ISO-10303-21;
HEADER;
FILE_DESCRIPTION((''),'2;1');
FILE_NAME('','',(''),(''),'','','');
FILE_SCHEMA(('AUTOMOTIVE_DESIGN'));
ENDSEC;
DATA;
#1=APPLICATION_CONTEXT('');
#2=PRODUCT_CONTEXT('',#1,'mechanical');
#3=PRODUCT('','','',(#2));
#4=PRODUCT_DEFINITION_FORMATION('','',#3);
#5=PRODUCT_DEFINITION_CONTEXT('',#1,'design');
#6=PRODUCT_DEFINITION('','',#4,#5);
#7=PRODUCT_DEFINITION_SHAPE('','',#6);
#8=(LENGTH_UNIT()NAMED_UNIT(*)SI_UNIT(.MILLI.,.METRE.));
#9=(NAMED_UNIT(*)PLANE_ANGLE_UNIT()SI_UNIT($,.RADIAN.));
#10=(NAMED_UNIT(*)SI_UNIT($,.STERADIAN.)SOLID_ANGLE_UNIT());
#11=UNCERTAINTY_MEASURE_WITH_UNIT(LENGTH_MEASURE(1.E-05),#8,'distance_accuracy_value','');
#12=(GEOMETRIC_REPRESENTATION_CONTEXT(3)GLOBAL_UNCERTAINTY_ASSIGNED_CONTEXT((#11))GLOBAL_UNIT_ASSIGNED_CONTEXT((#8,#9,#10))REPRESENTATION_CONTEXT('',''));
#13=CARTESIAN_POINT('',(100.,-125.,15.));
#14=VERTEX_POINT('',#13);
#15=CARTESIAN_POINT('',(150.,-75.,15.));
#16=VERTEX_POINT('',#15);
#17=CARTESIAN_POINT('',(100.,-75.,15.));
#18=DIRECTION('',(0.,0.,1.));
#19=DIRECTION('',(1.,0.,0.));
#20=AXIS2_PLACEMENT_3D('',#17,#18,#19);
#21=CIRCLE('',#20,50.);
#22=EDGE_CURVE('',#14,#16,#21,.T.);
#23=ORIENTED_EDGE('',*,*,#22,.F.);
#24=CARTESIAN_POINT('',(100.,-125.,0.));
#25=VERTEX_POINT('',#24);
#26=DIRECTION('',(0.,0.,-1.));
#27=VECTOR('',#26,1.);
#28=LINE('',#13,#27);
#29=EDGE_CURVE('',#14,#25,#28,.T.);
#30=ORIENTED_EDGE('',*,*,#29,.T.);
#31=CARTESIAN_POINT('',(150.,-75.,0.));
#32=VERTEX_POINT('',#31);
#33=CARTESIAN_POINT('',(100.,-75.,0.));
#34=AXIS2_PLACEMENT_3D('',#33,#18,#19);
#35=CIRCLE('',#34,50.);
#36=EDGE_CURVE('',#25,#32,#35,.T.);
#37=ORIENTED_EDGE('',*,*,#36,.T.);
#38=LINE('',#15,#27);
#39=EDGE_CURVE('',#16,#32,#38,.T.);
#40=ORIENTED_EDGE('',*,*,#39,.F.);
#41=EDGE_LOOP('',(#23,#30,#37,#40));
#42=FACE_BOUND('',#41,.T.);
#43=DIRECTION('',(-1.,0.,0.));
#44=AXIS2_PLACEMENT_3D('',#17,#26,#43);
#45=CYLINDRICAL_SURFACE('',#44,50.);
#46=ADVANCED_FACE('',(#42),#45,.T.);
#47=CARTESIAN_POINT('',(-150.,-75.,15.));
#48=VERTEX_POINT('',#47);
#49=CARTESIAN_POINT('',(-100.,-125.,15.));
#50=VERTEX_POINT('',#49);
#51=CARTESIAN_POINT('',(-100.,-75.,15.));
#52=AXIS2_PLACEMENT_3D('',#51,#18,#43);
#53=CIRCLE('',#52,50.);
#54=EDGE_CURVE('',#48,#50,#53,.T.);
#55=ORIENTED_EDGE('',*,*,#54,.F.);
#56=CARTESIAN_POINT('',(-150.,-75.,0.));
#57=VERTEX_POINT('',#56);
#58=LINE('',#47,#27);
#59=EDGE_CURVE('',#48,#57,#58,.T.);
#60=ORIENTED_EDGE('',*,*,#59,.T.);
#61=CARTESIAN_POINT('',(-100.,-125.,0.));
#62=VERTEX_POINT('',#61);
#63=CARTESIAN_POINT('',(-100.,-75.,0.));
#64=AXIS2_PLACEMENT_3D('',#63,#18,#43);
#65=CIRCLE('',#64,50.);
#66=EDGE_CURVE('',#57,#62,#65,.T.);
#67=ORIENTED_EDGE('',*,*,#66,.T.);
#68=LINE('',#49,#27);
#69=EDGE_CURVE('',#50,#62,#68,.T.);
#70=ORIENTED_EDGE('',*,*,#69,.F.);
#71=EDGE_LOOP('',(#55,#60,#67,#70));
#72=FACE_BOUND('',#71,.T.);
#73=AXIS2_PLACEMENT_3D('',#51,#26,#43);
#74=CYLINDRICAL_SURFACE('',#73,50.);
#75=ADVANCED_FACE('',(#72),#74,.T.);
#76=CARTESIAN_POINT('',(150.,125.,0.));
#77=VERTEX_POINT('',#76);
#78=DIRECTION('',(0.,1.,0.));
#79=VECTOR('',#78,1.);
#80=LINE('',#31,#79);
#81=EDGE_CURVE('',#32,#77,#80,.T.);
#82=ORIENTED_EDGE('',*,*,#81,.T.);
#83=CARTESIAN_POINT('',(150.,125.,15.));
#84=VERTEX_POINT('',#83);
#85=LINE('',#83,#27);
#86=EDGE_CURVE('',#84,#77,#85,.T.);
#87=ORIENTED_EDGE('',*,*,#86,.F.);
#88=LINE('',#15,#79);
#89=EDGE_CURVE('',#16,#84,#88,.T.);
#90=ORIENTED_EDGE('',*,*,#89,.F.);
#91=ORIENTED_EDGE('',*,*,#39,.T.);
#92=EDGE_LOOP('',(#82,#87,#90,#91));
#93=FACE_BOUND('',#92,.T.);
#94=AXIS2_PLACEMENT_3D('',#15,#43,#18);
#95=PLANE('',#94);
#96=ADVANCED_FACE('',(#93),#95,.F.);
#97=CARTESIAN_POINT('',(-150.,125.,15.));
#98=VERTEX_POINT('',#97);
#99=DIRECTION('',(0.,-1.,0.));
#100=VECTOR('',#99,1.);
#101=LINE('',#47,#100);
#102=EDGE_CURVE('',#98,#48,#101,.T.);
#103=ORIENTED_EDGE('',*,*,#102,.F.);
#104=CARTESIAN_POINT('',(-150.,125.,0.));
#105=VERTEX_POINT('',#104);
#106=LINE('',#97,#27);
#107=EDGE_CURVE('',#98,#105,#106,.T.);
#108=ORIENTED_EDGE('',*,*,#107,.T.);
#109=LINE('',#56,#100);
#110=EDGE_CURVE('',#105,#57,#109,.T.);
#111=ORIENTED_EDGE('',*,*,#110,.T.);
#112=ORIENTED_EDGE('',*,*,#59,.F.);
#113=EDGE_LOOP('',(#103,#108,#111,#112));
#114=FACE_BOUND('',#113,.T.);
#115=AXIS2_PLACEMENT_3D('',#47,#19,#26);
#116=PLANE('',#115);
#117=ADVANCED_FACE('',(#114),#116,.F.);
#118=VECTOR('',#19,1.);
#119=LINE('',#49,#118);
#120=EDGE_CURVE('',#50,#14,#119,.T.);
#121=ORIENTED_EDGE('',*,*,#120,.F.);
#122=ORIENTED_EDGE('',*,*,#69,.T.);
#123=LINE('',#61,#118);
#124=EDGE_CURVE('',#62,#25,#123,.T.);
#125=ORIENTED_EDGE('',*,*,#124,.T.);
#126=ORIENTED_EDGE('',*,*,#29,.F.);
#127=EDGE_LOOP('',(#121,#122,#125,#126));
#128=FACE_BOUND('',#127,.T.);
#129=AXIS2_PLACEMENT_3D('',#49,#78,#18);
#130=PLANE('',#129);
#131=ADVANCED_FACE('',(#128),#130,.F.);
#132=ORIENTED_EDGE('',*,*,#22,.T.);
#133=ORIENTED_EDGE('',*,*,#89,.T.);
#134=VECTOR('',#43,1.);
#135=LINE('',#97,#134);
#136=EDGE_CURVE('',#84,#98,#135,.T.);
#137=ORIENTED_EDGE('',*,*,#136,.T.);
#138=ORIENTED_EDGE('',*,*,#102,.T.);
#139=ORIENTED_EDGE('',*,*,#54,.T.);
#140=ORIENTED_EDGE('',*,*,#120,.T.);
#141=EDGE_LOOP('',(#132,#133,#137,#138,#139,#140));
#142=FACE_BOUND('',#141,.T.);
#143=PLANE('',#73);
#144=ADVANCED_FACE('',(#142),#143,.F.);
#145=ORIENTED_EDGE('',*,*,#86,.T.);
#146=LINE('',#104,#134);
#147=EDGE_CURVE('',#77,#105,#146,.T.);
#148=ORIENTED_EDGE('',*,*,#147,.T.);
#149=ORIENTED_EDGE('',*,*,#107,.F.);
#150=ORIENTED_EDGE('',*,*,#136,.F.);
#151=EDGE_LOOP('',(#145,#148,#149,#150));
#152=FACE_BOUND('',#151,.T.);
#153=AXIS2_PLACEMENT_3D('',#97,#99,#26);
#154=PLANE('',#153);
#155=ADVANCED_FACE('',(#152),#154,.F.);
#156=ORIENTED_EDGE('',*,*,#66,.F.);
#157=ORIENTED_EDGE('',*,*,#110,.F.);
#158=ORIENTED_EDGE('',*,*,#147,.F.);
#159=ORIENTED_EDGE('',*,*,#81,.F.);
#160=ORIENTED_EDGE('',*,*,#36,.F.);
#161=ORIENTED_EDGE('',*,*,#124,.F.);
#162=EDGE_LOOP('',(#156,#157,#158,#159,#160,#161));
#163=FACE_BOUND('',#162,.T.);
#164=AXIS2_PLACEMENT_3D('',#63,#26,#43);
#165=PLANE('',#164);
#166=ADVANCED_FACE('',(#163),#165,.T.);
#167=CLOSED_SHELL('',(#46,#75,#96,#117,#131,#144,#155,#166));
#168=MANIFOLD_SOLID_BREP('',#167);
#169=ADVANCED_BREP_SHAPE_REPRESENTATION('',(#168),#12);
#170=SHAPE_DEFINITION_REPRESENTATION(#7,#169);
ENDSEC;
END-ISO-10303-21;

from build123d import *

# Parameters (mm, degrees)
BOSS_EXTRU_1_DEPTH = 15


with BuildPart() as part:
    # Esquisse1 → Boss.-Extru.1 (new body)
    with BuildSketch(Plane.XY):
        with BuildLine():
            Line((-100, -125), (100, -125))
            ThreePointArc((100, -125), (135.355339059, -110.355339059), (150, -75))
            Line((150, -75), (150, 125))
            Line((150, 125), (-150, 125))
            Line((-150, 125), (-150, -75))
            ThreePointArc((-150, -75), (-135.355339059, -110.355339059), (-100, -125))
        make_face()
    extrude(amount=BOSS_EXTRU_1_DEPTH)


solid = part.part
